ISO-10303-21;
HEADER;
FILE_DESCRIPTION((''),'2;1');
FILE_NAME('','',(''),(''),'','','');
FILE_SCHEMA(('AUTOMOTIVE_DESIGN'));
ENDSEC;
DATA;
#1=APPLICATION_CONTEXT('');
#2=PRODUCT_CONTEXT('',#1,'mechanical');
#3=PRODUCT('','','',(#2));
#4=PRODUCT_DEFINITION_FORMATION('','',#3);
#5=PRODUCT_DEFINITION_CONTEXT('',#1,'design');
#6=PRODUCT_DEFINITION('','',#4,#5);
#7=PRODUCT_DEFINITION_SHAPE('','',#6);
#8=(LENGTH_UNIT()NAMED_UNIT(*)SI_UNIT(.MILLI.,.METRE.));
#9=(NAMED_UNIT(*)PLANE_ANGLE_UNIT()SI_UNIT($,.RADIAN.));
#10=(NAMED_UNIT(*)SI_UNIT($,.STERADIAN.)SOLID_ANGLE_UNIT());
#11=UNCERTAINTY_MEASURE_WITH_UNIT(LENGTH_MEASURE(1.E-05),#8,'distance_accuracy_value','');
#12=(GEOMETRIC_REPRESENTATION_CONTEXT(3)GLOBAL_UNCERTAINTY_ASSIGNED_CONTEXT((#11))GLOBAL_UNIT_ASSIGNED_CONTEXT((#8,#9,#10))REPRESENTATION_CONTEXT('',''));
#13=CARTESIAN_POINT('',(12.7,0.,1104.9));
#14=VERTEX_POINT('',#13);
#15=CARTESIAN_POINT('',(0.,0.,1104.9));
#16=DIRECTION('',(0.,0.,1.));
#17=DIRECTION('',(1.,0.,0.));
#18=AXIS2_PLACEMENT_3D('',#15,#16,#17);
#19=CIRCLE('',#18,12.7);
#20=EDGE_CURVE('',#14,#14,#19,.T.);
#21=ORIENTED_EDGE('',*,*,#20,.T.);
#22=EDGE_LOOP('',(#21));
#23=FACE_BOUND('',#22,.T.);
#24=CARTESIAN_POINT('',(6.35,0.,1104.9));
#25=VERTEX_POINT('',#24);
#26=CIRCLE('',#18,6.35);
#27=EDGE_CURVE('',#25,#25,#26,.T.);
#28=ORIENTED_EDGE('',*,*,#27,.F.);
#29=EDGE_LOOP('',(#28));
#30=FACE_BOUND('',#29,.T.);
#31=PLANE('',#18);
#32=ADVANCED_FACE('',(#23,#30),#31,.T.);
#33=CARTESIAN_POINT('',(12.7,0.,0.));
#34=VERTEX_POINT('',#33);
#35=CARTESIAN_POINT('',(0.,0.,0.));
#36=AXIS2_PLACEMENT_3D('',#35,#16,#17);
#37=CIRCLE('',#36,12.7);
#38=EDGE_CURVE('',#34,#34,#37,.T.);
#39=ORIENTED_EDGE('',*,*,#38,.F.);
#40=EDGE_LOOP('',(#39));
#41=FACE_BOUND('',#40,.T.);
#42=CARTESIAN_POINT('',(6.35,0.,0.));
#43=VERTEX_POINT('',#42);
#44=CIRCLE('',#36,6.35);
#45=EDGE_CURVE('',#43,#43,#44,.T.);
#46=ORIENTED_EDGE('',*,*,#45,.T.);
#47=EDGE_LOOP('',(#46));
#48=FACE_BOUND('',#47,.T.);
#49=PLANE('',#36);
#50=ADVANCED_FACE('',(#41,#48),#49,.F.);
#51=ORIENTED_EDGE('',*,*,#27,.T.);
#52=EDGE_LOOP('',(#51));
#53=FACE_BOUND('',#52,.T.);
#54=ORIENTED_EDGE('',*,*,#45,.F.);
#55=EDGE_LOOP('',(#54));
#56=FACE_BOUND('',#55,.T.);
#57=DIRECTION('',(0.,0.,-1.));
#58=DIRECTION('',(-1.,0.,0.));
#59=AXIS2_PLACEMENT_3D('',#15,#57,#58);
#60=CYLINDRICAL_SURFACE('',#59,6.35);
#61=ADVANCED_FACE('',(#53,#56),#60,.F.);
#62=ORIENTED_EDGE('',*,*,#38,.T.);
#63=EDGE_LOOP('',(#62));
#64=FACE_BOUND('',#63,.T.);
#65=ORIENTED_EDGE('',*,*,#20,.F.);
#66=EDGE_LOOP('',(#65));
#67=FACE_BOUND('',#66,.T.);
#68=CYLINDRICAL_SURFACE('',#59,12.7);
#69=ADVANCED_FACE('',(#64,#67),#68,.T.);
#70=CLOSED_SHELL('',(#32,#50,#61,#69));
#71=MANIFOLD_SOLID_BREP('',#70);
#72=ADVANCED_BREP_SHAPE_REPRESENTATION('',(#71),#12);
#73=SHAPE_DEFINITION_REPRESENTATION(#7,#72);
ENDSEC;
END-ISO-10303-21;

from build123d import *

# Parameters (mm, degrees)
ESQUISSE1_R        = 12.7
ESQUISSE1_R_2      = 6.35
BOSS_EXTRU_1_DEPTH = 1104.9


with BuildPart() as part:
    # Esquisse1 → Boss.-Extru.1 (new body)
    with BuildSketch(Plane.XY):
        Circle(ESQUISSE1_R)
        Circle(ESQUISSE1_R_2, mode=Mode.SUBTRACT)
    extrude(amount=BOSS_EXTRU_1_DEPTH)


solid = part.part
